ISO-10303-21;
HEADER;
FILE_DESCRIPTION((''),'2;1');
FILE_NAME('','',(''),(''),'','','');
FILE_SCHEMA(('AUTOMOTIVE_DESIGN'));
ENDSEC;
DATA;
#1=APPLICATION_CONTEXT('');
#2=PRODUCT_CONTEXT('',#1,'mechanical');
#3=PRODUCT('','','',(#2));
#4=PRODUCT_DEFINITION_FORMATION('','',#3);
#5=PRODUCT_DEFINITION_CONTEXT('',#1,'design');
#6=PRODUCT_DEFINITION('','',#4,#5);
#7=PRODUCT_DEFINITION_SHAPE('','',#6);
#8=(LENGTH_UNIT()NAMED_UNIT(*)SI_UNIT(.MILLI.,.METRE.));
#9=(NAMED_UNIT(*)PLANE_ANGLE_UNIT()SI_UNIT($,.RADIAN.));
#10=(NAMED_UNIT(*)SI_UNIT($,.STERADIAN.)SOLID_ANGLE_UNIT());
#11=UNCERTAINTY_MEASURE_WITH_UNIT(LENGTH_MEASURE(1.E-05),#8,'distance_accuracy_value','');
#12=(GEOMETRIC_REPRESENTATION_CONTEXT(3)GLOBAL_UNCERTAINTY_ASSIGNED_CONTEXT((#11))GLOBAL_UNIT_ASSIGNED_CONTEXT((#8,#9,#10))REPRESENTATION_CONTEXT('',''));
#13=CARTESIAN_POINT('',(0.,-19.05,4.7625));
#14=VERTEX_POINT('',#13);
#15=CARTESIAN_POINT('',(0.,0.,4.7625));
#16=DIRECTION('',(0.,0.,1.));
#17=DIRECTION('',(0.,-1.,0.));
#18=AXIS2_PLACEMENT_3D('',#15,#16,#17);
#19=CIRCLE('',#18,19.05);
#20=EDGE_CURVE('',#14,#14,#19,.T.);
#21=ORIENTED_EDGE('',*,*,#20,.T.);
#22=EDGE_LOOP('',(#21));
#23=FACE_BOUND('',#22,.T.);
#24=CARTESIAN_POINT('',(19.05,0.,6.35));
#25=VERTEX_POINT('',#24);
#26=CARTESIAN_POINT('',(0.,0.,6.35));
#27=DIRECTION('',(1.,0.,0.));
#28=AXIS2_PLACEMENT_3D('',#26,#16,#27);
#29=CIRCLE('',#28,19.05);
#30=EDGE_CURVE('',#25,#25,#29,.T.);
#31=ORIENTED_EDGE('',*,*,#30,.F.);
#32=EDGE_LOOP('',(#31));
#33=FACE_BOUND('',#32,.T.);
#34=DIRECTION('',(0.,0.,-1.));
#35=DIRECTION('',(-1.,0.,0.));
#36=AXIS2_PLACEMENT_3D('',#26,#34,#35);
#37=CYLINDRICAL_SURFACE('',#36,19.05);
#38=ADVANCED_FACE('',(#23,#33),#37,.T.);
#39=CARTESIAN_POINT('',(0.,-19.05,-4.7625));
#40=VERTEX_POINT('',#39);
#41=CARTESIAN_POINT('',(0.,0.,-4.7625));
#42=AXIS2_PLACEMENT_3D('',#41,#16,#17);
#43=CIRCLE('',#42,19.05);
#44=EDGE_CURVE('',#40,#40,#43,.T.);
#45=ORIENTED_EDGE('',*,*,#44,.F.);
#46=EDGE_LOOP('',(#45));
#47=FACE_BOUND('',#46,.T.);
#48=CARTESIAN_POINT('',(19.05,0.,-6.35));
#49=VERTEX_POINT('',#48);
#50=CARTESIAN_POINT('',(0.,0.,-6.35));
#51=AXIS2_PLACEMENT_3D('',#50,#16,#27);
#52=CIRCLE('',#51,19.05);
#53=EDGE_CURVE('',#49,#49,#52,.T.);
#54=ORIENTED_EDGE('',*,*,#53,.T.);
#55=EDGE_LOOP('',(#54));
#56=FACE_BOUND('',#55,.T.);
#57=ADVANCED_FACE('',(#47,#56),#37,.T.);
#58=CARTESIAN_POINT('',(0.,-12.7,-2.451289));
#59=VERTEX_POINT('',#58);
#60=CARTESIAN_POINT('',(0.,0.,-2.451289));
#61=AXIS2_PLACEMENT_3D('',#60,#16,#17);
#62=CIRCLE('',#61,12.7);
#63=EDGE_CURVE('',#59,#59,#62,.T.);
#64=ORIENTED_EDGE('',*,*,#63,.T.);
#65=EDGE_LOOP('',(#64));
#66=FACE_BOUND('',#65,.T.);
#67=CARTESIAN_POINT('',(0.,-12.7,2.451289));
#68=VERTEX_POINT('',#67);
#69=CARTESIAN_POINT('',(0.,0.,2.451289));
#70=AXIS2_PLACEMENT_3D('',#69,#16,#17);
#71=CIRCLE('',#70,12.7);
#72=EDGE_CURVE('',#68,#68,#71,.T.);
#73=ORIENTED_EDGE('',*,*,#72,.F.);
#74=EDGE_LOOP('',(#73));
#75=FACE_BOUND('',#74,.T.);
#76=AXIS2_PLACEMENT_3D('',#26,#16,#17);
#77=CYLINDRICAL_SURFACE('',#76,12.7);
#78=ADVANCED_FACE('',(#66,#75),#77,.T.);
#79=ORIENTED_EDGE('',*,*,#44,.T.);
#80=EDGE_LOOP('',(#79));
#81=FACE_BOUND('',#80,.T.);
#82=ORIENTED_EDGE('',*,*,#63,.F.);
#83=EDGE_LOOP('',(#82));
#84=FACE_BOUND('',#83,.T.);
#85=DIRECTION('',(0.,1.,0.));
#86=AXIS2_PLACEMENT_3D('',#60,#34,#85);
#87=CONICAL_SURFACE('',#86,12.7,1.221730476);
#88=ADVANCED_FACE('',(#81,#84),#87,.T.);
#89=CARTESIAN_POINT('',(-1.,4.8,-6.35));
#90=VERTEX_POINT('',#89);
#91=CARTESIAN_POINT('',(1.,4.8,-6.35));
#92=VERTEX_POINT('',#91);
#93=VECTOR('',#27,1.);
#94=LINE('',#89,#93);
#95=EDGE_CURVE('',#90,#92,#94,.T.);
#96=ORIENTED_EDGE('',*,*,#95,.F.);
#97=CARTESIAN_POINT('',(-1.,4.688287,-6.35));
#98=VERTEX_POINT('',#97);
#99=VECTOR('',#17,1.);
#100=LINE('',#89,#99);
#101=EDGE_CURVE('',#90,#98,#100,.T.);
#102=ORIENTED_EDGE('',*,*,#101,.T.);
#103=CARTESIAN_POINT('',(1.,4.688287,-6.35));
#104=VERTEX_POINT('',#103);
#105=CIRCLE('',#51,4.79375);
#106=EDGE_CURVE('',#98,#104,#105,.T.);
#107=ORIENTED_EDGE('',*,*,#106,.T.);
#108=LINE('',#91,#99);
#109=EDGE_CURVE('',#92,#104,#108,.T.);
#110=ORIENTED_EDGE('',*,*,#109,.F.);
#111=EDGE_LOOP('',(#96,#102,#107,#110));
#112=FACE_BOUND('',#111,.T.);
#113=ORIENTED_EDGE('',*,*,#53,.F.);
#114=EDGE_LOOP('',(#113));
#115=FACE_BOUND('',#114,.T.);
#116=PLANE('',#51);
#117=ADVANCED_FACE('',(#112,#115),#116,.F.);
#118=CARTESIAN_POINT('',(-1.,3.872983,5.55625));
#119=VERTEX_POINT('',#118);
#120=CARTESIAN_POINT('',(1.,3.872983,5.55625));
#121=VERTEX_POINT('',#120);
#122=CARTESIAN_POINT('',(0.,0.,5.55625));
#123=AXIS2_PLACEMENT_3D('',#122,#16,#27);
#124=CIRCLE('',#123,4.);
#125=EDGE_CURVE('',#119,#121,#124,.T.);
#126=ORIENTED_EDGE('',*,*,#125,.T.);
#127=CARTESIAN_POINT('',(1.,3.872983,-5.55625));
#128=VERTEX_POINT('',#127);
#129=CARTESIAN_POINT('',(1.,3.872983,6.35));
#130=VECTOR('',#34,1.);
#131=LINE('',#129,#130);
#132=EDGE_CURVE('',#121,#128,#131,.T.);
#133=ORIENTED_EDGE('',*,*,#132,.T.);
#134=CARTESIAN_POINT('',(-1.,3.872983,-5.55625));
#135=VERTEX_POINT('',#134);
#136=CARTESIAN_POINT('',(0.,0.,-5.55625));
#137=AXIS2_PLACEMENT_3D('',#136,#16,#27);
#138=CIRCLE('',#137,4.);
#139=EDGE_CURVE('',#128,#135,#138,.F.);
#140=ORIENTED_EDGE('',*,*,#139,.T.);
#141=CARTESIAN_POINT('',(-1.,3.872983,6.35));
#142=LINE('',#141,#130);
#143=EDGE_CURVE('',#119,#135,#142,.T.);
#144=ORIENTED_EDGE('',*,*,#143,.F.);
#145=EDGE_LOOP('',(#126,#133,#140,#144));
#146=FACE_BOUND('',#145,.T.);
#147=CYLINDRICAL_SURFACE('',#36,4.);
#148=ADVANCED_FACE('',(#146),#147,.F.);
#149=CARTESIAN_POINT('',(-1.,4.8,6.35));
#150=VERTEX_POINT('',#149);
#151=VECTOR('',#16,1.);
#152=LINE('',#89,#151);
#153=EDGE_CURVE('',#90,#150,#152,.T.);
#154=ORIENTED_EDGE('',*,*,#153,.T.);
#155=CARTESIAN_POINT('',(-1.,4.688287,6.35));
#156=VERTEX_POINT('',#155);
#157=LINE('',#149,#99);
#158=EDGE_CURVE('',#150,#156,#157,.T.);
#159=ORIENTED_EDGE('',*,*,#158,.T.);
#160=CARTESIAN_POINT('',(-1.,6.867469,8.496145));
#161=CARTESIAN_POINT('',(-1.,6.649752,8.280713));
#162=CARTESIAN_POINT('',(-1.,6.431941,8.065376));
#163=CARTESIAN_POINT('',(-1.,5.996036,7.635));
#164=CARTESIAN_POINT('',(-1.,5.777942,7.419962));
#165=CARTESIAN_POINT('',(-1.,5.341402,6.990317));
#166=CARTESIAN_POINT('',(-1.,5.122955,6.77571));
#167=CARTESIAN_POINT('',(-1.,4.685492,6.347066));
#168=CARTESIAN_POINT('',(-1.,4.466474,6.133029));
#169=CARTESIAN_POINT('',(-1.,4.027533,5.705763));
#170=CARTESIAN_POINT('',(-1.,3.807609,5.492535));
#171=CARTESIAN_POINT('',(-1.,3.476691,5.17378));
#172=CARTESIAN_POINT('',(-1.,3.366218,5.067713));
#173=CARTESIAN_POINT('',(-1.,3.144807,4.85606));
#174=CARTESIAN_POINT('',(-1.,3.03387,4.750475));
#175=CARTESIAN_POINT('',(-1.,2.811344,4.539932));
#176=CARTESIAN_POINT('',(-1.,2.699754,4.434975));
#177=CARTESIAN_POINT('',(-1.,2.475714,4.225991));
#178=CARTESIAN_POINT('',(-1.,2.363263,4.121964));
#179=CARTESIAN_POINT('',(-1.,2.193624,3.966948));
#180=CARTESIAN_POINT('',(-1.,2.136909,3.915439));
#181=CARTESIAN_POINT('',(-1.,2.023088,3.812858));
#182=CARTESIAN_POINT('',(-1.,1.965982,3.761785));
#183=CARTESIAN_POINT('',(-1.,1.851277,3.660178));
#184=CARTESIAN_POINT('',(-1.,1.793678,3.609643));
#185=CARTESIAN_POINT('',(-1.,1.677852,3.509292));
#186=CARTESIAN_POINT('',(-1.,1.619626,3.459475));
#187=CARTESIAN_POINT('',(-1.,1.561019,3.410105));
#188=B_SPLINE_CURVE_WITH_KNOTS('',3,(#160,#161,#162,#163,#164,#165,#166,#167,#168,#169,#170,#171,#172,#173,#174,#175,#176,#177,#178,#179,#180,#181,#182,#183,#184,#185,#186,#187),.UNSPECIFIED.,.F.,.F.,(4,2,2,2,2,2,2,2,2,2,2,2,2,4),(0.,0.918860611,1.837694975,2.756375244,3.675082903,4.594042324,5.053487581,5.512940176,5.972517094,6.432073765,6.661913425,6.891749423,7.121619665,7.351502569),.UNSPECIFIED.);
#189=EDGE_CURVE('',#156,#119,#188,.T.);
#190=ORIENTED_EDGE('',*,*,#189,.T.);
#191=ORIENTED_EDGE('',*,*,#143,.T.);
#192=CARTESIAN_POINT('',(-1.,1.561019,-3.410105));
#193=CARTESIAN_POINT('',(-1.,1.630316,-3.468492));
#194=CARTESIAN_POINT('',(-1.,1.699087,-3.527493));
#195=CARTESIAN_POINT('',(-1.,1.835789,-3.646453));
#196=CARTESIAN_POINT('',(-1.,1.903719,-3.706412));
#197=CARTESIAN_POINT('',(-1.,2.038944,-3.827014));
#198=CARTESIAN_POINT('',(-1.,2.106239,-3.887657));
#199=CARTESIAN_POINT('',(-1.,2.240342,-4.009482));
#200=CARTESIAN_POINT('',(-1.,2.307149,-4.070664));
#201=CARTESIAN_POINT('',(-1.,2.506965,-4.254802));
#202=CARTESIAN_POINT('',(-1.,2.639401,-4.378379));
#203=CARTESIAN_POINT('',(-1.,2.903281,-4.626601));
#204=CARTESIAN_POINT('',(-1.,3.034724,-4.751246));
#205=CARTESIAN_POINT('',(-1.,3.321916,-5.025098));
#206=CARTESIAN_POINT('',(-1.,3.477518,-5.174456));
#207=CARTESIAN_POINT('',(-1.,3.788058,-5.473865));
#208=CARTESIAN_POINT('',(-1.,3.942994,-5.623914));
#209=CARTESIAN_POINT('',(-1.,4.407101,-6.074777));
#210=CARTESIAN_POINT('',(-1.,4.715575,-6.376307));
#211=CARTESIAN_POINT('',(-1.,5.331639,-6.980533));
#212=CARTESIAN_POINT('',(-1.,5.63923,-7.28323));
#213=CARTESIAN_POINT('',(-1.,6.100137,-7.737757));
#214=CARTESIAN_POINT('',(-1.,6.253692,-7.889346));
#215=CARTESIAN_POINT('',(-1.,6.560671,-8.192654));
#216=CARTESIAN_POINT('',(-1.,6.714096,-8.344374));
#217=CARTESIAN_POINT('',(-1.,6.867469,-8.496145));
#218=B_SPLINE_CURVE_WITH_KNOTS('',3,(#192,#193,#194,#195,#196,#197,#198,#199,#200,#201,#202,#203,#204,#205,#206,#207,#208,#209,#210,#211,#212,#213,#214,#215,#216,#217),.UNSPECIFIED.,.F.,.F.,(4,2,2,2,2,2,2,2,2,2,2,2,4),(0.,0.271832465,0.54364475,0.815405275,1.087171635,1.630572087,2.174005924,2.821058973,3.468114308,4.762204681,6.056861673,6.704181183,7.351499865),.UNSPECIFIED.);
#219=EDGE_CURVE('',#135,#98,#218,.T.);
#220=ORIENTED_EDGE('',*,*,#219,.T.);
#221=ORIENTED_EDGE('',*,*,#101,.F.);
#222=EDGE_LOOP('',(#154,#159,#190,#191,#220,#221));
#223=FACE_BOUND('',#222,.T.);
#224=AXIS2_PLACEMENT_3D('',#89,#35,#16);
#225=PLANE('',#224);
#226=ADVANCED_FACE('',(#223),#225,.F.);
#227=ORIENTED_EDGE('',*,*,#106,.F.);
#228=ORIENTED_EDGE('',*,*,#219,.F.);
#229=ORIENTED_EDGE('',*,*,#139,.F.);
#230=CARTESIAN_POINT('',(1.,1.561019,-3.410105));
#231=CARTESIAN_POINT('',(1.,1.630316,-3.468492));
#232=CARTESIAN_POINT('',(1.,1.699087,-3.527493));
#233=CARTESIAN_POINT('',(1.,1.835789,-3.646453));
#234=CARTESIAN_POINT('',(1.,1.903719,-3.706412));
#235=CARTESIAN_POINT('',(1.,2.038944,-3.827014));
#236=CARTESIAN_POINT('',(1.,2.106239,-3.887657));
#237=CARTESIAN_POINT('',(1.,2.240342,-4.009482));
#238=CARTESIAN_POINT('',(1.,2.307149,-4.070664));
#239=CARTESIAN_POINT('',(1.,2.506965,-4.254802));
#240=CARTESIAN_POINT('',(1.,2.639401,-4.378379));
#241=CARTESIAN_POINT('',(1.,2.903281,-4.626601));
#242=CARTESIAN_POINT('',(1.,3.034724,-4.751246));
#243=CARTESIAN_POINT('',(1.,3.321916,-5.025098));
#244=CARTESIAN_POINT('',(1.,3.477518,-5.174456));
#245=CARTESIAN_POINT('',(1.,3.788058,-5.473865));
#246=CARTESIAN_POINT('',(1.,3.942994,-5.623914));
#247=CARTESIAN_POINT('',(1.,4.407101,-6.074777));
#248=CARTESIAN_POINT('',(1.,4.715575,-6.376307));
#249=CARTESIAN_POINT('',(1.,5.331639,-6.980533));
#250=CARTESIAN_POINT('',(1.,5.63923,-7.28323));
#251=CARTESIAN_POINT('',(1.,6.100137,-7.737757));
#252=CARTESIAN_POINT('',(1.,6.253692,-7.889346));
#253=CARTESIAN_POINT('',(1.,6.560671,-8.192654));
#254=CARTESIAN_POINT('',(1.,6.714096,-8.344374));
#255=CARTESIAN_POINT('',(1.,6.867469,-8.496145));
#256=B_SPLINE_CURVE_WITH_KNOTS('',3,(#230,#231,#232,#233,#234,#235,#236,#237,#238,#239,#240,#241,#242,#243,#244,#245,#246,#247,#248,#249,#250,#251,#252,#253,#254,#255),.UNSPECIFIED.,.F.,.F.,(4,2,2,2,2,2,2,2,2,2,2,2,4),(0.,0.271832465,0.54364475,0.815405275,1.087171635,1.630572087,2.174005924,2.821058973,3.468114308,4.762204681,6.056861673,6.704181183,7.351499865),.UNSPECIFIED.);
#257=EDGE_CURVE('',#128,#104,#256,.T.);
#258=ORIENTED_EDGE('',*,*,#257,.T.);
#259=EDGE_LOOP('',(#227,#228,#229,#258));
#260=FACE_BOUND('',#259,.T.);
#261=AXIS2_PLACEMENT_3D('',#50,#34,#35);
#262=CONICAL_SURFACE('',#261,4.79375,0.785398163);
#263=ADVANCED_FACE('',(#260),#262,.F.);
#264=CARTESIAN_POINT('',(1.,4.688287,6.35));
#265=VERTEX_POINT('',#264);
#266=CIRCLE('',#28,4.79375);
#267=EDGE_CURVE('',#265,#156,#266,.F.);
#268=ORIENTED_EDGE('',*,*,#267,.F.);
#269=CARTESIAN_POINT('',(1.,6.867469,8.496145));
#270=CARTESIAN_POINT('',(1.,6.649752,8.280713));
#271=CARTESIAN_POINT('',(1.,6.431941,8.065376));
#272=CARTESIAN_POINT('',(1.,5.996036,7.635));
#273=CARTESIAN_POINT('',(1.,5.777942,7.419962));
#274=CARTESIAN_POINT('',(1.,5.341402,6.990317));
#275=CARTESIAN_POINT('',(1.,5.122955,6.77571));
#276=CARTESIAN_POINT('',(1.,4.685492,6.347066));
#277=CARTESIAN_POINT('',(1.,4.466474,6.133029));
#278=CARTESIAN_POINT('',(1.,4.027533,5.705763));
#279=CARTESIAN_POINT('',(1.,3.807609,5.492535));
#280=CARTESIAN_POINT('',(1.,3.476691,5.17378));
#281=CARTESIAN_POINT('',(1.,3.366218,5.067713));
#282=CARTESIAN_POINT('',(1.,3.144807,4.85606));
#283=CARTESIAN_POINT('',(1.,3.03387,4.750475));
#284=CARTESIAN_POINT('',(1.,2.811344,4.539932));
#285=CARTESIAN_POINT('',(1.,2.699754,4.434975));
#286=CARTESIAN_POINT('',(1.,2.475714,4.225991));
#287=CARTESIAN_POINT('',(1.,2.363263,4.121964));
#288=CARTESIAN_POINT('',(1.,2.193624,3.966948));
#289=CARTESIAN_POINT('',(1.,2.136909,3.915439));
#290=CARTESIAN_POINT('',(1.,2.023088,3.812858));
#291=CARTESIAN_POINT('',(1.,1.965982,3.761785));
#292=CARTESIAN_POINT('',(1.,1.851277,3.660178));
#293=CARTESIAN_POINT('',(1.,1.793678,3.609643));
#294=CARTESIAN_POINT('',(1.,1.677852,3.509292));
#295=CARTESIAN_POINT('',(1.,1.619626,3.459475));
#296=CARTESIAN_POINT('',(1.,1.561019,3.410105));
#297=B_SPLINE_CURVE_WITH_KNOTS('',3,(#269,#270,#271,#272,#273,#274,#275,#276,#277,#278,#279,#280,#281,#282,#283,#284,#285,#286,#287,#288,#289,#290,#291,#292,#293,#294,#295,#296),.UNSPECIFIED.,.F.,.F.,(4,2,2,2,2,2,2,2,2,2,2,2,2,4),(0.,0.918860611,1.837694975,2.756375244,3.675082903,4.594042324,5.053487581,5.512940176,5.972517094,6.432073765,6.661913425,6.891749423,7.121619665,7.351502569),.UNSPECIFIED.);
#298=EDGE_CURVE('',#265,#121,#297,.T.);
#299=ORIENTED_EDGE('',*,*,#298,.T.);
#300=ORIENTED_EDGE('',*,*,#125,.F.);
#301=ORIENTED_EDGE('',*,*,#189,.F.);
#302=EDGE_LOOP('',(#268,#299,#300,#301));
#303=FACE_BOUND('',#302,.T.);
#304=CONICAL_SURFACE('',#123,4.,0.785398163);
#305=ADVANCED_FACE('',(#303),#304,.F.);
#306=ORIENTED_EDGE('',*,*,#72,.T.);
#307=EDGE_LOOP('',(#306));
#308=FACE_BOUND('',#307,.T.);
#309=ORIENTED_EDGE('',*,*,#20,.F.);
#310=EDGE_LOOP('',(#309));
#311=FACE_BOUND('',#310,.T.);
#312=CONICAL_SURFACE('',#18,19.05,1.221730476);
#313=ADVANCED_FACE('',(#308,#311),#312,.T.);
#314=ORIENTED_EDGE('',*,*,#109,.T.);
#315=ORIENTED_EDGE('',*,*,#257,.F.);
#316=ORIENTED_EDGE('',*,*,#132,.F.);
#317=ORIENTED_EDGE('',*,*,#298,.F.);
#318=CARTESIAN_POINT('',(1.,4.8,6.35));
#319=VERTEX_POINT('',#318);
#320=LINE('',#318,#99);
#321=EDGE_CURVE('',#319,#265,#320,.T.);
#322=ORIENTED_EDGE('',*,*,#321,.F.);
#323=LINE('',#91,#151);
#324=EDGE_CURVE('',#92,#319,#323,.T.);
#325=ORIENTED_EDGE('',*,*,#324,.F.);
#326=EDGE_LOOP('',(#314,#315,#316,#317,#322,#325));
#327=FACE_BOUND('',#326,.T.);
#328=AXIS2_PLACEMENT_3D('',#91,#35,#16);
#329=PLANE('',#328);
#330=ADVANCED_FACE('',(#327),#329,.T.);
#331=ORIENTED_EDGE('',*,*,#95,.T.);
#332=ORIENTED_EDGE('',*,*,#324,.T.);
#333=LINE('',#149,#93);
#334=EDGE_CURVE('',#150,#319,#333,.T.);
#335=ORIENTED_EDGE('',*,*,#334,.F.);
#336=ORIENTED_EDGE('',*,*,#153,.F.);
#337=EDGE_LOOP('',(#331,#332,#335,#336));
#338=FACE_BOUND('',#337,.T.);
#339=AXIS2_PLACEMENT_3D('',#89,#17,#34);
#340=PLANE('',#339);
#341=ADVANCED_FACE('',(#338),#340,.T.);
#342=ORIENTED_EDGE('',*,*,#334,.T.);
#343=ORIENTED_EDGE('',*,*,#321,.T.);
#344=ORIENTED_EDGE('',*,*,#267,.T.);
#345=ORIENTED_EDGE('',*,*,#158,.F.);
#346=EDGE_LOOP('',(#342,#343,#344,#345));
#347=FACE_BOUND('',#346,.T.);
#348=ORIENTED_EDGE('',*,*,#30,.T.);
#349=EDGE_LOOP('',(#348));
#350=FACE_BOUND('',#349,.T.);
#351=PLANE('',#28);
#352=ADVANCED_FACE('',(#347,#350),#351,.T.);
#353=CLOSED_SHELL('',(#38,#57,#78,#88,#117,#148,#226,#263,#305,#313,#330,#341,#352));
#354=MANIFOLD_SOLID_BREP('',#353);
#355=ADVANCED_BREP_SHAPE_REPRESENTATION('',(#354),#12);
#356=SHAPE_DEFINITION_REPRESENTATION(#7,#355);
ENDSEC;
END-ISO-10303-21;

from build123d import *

# Parameters (mm, degrees)
SKETCH1_R          = 19.05
SKETCH1_R_2        = 4
EXTRUDE1_DEPTH     = 6.35
CHAMFER1_SIZE      = 0.79375
SKETCH3_W          = 2
SKETCH3_H          = 2
CUT_EXTRUDE1_DEPTH = 30.784140075


with BuildPart() as part:
    # Sketch1 → Extrude1 (new, symmetric)
    with BuildSketch(Plane.XY):
        Circle(SKETCH1_R)
        Circle(SKETCH1_R_2, mode=Mode.SUBTRACT)
    extrude(amount=EXTRUDE1_DEPTH, both=True)

    # Chamfer1
    chamfer1_edges = [part.edges().sort_by_distance(p)[0] for p in [
        (-4, 0, -6.35),
        (-4, 0, 6.35),
    ]]
    chamfer(chamfer1_edges, length=CHAMFER1_SIZE)

    # Sketch2 → Cut-Revolve1 (revolve, cut)
    with BuildSketch(Plane(origin=(0, 0, 0), x_dir=(0, 0, -1), z_dir=(1, 0, 0)), mode=Mode.PRIVATE) as cut_revolve1_sk:
        Polygon((-4.7625, 19.05), (4.7625, 19.05), (2.451289012, 12.7), (-2.451289012, 12.7), align=None)
    revolve(cut_revolve1_sk.sketch.rotate(Axis((0, 0, 6.35), (0, 0, -1)), 180), axis=Axis((0, 0, 6.35), (0, 0, -1)), mode=Mode.SUBTRACT)

    # Sketch3 → Cut-Extrude1 (cut, through all)
    with BuildSketch(Plane.XY.offset(6.35)):
        with Locations((0, 3.8)):
            Rectangle(SKETCH3_W, SKETCH3_H)
    extrude(amount=-CUT_EXTRUDE1_DEPTH, mode=Mode.SUBTRACT)


solid = part.part
